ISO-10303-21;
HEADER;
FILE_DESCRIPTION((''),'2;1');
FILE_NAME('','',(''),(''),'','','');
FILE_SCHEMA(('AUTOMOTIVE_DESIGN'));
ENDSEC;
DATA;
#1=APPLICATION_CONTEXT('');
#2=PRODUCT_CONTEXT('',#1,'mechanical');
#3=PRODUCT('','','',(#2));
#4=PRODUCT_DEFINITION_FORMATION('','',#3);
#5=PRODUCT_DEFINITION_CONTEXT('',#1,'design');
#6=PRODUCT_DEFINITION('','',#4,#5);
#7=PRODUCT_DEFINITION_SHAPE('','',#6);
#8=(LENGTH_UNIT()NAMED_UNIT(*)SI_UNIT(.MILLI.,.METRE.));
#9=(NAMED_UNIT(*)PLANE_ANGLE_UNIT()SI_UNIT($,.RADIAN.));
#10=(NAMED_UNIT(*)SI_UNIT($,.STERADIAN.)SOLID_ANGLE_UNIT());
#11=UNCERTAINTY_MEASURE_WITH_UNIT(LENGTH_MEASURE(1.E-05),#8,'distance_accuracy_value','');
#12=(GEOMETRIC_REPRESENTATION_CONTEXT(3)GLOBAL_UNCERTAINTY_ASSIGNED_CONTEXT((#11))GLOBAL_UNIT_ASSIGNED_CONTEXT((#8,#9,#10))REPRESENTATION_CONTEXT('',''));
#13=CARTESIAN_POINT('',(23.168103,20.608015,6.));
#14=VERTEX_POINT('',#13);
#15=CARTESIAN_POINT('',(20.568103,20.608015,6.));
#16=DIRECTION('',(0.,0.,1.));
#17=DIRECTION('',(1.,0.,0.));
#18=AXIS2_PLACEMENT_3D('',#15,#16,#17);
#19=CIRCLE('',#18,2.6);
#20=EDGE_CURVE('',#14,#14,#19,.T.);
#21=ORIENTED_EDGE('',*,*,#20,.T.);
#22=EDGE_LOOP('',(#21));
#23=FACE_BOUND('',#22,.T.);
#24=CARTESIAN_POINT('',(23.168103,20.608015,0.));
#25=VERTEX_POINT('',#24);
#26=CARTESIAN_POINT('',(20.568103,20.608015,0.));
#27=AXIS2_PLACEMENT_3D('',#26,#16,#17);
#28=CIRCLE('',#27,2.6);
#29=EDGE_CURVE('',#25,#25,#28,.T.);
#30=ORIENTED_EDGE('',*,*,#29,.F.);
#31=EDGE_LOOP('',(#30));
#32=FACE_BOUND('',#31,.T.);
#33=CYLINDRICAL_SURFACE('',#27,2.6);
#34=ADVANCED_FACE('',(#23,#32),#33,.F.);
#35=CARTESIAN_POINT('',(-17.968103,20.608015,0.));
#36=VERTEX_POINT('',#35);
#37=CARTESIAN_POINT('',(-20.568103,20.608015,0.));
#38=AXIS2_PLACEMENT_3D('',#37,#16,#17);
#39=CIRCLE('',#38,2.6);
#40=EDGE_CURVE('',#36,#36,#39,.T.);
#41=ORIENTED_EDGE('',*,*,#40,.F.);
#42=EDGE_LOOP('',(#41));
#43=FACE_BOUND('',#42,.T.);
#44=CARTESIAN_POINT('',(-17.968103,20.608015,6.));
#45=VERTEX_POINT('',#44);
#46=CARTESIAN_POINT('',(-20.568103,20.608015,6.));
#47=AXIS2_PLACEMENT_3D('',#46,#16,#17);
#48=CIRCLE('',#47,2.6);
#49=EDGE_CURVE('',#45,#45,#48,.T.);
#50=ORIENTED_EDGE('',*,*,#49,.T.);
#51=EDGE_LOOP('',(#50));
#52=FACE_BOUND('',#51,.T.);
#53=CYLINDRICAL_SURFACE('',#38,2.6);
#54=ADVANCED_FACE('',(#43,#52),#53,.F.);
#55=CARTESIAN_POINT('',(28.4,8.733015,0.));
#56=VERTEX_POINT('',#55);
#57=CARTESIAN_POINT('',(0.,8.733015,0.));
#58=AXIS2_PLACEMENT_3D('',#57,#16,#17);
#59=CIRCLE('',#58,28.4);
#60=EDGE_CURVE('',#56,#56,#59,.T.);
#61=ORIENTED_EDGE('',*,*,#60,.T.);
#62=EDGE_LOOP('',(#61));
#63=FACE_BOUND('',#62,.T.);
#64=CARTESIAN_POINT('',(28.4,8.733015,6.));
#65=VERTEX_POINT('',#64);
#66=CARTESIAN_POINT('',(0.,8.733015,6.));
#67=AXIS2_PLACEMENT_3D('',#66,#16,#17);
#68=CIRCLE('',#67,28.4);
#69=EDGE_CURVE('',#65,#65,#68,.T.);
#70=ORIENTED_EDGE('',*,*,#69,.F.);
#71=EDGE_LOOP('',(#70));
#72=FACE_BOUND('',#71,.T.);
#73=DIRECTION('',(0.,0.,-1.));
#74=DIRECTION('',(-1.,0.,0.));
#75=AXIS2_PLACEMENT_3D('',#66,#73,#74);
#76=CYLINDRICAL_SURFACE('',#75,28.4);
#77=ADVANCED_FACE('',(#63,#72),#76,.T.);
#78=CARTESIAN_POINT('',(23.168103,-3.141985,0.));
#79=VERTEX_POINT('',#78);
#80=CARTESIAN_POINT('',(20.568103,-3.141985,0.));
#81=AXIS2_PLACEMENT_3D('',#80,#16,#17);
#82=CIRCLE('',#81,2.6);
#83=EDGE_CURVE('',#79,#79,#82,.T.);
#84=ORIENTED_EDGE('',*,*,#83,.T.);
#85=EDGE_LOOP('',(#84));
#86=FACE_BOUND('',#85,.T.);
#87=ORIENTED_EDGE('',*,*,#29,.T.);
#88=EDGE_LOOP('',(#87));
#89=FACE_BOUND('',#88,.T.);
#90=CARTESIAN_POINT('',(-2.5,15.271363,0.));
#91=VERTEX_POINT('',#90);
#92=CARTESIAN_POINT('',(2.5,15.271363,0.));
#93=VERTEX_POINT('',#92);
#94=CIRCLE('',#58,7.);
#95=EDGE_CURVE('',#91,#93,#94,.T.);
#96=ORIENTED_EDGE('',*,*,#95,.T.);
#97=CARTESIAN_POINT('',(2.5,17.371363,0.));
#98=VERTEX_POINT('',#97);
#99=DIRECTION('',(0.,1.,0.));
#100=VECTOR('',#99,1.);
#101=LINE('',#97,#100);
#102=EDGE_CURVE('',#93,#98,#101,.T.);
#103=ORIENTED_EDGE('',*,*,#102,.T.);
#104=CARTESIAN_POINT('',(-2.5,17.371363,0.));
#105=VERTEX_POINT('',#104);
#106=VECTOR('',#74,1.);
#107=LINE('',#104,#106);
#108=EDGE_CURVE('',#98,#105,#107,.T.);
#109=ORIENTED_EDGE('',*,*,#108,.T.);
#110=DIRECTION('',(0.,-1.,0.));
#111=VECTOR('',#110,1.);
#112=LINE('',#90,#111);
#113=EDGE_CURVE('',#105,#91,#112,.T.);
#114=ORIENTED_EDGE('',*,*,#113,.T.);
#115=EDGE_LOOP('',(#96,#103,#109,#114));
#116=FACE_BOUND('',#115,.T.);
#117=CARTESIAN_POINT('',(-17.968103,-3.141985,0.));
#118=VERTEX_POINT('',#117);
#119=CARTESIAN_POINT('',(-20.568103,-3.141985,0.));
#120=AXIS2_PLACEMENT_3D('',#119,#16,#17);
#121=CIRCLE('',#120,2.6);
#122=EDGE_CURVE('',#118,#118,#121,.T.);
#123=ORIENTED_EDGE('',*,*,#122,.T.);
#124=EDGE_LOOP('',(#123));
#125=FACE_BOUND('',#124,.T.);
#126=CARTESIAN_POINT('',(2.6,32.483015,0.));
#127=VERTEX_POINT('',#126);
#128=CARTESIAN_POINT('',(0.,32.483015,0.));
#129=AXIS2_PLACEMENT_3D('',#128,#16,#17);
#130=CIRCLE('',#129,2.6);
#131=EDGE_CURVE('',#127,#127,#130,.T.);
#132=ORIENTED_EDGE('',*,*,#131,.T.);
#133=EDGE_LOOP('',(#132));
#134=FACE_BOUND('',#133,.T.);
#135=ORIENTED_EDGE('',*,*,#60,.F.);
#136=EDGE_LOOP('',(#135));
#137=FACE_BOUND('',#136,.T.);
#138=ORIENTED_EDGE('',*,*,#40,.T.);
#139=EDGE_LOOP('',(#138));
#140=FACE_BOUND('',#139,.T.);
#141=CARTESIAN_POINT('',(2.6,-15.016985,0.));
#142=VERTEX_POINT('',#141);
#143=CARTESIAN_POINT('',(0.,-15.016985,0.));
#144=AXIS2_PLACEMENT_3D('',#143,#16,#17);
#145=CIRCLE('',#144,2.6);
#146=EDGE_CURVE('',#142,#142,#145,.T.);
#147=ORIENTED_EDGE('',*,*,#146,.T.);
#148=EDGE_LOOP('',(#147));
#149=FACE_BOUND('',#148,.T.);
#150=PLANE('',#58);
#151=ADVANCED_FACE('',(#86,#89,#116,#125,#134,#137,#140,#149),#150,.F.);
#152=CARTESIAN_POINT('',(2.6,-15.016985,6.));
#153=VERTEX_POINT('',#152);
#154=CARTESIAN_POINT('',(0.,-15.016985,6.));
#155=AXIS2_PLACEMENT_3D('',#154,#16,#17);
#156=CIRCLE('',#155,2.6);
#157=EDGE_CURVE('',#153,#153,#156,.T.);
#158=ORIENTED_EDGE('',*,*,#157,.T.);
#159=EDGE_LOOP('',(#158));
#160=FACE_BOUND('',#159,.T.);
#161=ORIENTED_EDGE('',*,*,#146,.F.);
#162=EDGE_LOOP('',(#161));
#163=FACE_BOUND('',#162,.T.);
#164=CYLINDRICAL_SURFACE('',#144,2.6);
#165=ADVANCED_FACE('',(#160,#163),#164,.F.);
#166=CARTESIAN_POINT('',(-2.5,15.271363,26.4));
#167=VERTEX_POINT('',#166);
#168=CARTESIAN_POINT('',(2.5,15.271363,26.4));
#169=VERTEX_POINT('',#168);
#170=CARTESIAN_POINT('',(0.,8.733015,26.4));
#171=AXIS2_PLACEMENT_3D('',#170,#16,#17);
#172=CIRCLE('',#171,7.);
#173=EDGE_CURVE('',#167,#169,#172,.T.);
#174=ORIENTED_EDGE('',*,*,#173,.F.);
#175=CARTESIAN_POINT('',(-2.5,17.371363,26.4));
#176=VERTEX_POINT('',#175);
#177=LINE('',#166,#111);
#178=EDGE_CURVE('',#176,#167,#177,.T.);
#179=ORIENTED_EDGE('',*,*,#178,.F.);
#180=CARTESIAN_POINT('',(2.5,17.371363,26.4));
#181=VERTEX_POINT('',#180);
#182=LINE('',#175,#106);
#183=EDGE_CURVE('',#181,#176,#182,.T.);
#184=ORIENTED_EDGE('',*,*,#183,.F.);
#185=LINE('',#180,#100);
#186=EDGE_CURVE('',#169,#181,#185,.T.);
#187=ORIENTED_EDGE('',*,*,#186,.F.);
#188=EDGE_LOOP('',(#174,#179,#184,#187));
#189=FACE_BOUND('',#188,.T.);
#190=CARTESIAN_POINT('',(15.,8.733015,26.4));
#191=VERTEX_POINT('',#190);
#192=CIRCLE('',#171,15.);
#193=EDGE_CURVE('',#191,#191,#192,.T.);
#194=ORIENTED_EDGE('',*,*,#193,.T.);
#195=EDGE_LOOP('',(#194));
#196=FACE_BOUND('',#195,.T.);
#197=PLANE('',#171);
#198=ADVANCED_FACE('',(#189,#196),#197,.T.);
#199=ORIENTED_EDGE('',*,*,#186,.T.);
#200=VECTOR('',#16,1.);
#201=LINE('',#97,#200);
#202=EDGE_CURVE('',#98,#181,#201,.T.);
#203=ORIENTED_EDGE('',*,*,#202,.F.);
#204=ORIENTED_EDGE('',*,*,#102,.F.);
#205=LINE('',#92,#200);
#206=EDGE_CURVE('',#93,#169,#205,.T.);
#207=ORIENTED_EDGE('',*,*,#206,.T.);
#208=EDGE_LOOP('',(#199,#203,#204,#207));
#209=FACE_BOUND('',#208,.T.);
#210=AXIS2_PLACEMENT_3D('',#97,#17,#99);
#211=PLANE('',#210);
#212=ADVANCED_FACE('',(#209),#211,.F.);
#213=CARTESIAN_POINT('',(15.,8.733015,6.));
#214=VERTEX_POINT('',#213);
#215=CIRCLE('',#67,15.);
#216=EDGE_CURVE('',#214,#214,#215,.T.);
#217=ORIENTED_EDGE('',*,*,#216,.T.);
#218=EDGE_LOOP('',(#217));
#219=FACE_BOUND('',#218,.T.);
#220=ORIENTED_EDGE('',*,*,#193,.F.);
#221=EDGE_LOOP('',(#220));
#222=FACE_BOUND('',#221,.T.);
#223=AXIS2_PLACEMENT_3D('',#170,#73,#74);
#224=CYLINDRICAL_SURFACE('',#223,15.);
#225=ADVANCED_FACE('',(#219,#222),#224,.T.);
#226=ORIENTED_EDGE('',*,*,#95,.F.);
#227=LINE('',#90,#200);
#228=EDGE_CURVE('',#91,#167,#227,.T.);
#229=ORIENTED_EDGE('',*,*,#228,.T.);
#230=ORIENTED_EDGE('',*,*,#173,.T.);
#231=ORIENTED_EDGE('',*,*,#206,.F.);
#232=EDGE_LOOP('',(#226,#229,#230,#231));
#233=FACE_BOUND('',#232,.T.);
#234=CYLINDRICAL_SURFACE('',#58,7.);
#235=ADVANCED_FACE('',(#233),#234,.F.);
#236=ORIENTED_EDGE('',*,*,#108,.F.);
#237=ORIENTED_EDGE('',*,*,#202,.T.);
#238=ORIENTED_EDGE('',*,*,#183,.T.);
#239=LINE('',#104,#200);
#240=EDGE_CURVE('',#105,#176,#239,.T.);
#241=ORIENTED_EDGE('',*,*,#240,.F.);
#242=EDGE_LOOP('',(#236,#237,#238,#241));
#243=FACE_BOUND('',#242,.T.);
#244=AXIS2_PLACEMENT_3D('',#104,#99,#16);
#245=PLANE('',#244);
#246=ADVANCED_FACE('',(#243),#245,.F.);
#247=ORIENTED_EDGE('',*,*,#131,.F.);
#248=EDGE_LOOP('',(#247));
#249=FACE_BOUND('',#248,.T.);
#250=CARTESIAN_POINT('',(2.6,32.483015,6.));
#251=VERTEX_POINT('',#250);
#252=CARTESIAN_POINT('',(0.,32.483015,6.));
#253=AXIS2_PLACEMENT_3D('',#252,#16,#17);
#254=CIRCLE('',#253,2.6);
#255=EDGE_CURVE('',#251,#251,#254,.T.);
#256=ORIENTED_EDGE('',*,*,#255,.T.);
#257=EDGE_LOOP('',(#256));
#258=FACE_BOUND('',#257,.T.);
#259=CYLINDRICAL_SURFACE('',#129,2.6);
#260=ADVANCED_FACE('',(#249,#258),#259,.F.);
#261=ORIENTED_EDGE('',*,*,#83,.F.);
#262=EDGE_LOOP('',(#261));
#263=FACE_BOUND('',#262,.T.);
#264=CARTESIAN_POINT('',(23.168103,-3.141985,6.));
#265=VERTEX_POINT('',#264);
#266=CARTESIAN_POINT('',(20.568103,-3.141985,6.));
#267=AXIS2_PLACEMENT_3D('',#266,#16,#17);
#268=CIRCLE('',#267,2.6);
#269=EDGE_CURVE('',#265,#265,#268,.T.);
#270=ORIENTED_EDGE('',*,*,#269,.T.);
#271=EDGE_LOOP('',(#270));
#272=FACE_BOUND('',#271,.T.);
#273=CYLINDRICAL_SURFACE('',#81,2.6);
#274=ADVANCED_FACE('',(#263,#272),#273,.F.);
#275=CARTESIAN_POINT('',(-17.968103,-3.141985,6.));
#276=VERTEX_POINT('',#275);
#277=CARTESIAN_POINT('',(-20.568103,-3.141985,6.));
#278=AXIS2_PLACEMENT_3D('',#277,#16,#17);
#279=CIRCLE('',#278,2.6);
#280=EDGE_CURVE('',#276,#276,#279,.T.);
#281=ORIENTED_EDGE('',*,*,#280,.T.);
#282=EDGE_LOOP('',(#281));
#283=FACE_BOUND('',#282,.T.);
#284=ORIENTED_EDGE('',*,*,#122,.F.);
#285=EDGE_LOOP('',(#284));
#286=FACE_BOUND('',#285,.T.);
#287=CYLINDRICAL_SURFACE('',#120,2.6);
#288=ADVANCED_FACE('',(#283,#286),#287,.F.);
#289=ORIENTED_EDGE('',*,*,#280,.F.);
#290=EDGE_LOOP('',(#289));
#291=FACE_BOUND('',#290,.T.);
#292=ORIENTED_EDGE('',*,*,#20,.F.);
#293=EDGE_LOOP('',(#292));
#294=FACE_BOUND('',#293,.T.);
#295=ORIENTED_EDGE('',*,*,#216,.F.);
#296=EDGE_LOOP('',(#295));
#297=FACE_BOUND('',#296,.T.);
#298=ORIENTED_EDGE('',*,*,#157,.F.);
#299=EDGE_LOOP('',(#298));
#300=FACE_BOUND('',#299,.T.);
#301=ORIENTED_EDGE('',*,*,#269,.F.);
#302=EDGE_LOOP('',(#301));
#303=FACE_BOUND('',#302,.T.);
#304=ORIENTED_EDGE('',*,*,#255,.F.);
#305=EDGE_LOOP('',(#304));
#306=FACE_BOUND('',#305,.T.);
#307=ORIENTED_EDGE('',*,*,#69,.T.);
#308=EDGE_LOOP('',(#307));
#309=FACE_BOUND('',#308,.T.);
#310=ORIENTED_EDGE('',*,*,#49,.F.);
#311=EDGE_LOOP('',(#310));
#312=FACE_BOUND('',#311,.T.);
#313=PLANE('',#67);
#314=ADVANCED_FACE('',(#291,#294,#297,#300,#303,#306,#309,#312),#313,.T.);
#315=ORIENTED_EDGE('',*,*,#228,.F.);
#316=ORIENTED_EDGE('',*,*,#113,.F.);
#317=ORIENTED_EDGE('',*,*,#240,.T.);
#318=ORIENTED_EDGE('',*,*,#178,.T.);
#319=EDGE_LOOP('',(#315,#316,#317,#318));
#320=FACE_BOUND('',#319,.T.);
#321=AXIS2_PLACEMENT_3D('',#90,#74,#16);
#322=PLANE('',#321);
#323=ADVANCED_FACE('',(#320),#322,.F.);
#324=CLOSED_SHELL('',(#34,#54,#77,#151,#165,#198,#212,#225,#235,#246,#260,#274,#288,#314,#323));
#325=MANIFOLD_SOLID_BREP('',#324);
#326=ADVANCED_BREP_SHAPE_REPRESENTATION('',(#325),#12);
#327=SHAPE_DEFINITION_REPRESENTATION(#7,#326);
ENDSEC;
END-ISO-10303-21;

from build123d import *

# Parameters (mm, degrees)
SKETCH_1_R          = 28.4
EXTRUDE_1_DEPTH     = 6
SKETCH_2_R          = 15
EXTRUDE_2_DEPTH     = 20.4
SKETCH_3_R          = 7
CUT_EXTRUDE_1_DEPTH = 54.68780863
SKETCH_4_W          = 5
SKETCH_4_H          = 2.1
CUT_EXTRUDE_2_DEPTH = 54.68780863
SKETCH_5_R          = 2.6
CUT_EXTRUDE_3_DEPTH = 52.005693755


with BuildPart() as part:
    # 草图1 → 凸台-拉伸1 (new body)
    with BuildSketch(Plane.XY):
        with Locations((0, 8.733014899)):
            Circle(SKETCH_1_R)
    extrude(amount=EXTRUDE_1_DEPTH)

    # 草图2 → 凸台-拉伸2 (add)
    with BuildSketch(Plane.XY.offset(6)):
        with Locations((0, 8.733014899)):
            Circle(SKETCH_2_R)
    extrude(amount=EXTRUDE_2_DEPTH)

    # 草图3 → 切除-拉伸1 (cut, through all)
    with BuildSketch(Plane.XY.offset(26.4)):
        with Locations((0, 8.733014899)):
            Circle(SKETCH_3_R)
    extrude(amount=-CUT_EXTRUDE_1_DEPTH, mode=Mode.SUBTRACT)

    # 草图4 → 切除-拉伸2 (cut, through all)
    with BuildSketch(Plane.XY.offset(26.4)):
        with Locations((0, 16.321363314)):
            Rectangle(SKETCH_4_W, SKETCH_4_H)
    extrude(amount=-CUT_EXTRUDE_2_DEPTH, mode=Mode.SUBTRACT)

    # 草图5 → 切除-拉伸3 (cut, through all)
    with BuildSketch(Plane.XY.offset(6)):
        with Locations((0, 32.483014899)):
            Circle(SKETCH_5_R)
        with Locations((20.56810334, 20.608014899)):
            Circle(SKETCH_5_R)
        with Locations((20.56810334, -3.141985101)):
            Circle(SKETCH_5_R)
        with Locations((0, -15.016985101)):
            Circle(SKETCH_5_R)
        with Locations((-20.56810334, -3.141985101)):
            Circle(SKETCH_5_R)
        with Locations((-20.56810334, 20.608014899)):
            Circle(SKETCH_5_R)
    extrude(amount=-CUT_EXTRUDE_3_DEPTH, mode=Mode.SUBTRACT)


solid = part.part
